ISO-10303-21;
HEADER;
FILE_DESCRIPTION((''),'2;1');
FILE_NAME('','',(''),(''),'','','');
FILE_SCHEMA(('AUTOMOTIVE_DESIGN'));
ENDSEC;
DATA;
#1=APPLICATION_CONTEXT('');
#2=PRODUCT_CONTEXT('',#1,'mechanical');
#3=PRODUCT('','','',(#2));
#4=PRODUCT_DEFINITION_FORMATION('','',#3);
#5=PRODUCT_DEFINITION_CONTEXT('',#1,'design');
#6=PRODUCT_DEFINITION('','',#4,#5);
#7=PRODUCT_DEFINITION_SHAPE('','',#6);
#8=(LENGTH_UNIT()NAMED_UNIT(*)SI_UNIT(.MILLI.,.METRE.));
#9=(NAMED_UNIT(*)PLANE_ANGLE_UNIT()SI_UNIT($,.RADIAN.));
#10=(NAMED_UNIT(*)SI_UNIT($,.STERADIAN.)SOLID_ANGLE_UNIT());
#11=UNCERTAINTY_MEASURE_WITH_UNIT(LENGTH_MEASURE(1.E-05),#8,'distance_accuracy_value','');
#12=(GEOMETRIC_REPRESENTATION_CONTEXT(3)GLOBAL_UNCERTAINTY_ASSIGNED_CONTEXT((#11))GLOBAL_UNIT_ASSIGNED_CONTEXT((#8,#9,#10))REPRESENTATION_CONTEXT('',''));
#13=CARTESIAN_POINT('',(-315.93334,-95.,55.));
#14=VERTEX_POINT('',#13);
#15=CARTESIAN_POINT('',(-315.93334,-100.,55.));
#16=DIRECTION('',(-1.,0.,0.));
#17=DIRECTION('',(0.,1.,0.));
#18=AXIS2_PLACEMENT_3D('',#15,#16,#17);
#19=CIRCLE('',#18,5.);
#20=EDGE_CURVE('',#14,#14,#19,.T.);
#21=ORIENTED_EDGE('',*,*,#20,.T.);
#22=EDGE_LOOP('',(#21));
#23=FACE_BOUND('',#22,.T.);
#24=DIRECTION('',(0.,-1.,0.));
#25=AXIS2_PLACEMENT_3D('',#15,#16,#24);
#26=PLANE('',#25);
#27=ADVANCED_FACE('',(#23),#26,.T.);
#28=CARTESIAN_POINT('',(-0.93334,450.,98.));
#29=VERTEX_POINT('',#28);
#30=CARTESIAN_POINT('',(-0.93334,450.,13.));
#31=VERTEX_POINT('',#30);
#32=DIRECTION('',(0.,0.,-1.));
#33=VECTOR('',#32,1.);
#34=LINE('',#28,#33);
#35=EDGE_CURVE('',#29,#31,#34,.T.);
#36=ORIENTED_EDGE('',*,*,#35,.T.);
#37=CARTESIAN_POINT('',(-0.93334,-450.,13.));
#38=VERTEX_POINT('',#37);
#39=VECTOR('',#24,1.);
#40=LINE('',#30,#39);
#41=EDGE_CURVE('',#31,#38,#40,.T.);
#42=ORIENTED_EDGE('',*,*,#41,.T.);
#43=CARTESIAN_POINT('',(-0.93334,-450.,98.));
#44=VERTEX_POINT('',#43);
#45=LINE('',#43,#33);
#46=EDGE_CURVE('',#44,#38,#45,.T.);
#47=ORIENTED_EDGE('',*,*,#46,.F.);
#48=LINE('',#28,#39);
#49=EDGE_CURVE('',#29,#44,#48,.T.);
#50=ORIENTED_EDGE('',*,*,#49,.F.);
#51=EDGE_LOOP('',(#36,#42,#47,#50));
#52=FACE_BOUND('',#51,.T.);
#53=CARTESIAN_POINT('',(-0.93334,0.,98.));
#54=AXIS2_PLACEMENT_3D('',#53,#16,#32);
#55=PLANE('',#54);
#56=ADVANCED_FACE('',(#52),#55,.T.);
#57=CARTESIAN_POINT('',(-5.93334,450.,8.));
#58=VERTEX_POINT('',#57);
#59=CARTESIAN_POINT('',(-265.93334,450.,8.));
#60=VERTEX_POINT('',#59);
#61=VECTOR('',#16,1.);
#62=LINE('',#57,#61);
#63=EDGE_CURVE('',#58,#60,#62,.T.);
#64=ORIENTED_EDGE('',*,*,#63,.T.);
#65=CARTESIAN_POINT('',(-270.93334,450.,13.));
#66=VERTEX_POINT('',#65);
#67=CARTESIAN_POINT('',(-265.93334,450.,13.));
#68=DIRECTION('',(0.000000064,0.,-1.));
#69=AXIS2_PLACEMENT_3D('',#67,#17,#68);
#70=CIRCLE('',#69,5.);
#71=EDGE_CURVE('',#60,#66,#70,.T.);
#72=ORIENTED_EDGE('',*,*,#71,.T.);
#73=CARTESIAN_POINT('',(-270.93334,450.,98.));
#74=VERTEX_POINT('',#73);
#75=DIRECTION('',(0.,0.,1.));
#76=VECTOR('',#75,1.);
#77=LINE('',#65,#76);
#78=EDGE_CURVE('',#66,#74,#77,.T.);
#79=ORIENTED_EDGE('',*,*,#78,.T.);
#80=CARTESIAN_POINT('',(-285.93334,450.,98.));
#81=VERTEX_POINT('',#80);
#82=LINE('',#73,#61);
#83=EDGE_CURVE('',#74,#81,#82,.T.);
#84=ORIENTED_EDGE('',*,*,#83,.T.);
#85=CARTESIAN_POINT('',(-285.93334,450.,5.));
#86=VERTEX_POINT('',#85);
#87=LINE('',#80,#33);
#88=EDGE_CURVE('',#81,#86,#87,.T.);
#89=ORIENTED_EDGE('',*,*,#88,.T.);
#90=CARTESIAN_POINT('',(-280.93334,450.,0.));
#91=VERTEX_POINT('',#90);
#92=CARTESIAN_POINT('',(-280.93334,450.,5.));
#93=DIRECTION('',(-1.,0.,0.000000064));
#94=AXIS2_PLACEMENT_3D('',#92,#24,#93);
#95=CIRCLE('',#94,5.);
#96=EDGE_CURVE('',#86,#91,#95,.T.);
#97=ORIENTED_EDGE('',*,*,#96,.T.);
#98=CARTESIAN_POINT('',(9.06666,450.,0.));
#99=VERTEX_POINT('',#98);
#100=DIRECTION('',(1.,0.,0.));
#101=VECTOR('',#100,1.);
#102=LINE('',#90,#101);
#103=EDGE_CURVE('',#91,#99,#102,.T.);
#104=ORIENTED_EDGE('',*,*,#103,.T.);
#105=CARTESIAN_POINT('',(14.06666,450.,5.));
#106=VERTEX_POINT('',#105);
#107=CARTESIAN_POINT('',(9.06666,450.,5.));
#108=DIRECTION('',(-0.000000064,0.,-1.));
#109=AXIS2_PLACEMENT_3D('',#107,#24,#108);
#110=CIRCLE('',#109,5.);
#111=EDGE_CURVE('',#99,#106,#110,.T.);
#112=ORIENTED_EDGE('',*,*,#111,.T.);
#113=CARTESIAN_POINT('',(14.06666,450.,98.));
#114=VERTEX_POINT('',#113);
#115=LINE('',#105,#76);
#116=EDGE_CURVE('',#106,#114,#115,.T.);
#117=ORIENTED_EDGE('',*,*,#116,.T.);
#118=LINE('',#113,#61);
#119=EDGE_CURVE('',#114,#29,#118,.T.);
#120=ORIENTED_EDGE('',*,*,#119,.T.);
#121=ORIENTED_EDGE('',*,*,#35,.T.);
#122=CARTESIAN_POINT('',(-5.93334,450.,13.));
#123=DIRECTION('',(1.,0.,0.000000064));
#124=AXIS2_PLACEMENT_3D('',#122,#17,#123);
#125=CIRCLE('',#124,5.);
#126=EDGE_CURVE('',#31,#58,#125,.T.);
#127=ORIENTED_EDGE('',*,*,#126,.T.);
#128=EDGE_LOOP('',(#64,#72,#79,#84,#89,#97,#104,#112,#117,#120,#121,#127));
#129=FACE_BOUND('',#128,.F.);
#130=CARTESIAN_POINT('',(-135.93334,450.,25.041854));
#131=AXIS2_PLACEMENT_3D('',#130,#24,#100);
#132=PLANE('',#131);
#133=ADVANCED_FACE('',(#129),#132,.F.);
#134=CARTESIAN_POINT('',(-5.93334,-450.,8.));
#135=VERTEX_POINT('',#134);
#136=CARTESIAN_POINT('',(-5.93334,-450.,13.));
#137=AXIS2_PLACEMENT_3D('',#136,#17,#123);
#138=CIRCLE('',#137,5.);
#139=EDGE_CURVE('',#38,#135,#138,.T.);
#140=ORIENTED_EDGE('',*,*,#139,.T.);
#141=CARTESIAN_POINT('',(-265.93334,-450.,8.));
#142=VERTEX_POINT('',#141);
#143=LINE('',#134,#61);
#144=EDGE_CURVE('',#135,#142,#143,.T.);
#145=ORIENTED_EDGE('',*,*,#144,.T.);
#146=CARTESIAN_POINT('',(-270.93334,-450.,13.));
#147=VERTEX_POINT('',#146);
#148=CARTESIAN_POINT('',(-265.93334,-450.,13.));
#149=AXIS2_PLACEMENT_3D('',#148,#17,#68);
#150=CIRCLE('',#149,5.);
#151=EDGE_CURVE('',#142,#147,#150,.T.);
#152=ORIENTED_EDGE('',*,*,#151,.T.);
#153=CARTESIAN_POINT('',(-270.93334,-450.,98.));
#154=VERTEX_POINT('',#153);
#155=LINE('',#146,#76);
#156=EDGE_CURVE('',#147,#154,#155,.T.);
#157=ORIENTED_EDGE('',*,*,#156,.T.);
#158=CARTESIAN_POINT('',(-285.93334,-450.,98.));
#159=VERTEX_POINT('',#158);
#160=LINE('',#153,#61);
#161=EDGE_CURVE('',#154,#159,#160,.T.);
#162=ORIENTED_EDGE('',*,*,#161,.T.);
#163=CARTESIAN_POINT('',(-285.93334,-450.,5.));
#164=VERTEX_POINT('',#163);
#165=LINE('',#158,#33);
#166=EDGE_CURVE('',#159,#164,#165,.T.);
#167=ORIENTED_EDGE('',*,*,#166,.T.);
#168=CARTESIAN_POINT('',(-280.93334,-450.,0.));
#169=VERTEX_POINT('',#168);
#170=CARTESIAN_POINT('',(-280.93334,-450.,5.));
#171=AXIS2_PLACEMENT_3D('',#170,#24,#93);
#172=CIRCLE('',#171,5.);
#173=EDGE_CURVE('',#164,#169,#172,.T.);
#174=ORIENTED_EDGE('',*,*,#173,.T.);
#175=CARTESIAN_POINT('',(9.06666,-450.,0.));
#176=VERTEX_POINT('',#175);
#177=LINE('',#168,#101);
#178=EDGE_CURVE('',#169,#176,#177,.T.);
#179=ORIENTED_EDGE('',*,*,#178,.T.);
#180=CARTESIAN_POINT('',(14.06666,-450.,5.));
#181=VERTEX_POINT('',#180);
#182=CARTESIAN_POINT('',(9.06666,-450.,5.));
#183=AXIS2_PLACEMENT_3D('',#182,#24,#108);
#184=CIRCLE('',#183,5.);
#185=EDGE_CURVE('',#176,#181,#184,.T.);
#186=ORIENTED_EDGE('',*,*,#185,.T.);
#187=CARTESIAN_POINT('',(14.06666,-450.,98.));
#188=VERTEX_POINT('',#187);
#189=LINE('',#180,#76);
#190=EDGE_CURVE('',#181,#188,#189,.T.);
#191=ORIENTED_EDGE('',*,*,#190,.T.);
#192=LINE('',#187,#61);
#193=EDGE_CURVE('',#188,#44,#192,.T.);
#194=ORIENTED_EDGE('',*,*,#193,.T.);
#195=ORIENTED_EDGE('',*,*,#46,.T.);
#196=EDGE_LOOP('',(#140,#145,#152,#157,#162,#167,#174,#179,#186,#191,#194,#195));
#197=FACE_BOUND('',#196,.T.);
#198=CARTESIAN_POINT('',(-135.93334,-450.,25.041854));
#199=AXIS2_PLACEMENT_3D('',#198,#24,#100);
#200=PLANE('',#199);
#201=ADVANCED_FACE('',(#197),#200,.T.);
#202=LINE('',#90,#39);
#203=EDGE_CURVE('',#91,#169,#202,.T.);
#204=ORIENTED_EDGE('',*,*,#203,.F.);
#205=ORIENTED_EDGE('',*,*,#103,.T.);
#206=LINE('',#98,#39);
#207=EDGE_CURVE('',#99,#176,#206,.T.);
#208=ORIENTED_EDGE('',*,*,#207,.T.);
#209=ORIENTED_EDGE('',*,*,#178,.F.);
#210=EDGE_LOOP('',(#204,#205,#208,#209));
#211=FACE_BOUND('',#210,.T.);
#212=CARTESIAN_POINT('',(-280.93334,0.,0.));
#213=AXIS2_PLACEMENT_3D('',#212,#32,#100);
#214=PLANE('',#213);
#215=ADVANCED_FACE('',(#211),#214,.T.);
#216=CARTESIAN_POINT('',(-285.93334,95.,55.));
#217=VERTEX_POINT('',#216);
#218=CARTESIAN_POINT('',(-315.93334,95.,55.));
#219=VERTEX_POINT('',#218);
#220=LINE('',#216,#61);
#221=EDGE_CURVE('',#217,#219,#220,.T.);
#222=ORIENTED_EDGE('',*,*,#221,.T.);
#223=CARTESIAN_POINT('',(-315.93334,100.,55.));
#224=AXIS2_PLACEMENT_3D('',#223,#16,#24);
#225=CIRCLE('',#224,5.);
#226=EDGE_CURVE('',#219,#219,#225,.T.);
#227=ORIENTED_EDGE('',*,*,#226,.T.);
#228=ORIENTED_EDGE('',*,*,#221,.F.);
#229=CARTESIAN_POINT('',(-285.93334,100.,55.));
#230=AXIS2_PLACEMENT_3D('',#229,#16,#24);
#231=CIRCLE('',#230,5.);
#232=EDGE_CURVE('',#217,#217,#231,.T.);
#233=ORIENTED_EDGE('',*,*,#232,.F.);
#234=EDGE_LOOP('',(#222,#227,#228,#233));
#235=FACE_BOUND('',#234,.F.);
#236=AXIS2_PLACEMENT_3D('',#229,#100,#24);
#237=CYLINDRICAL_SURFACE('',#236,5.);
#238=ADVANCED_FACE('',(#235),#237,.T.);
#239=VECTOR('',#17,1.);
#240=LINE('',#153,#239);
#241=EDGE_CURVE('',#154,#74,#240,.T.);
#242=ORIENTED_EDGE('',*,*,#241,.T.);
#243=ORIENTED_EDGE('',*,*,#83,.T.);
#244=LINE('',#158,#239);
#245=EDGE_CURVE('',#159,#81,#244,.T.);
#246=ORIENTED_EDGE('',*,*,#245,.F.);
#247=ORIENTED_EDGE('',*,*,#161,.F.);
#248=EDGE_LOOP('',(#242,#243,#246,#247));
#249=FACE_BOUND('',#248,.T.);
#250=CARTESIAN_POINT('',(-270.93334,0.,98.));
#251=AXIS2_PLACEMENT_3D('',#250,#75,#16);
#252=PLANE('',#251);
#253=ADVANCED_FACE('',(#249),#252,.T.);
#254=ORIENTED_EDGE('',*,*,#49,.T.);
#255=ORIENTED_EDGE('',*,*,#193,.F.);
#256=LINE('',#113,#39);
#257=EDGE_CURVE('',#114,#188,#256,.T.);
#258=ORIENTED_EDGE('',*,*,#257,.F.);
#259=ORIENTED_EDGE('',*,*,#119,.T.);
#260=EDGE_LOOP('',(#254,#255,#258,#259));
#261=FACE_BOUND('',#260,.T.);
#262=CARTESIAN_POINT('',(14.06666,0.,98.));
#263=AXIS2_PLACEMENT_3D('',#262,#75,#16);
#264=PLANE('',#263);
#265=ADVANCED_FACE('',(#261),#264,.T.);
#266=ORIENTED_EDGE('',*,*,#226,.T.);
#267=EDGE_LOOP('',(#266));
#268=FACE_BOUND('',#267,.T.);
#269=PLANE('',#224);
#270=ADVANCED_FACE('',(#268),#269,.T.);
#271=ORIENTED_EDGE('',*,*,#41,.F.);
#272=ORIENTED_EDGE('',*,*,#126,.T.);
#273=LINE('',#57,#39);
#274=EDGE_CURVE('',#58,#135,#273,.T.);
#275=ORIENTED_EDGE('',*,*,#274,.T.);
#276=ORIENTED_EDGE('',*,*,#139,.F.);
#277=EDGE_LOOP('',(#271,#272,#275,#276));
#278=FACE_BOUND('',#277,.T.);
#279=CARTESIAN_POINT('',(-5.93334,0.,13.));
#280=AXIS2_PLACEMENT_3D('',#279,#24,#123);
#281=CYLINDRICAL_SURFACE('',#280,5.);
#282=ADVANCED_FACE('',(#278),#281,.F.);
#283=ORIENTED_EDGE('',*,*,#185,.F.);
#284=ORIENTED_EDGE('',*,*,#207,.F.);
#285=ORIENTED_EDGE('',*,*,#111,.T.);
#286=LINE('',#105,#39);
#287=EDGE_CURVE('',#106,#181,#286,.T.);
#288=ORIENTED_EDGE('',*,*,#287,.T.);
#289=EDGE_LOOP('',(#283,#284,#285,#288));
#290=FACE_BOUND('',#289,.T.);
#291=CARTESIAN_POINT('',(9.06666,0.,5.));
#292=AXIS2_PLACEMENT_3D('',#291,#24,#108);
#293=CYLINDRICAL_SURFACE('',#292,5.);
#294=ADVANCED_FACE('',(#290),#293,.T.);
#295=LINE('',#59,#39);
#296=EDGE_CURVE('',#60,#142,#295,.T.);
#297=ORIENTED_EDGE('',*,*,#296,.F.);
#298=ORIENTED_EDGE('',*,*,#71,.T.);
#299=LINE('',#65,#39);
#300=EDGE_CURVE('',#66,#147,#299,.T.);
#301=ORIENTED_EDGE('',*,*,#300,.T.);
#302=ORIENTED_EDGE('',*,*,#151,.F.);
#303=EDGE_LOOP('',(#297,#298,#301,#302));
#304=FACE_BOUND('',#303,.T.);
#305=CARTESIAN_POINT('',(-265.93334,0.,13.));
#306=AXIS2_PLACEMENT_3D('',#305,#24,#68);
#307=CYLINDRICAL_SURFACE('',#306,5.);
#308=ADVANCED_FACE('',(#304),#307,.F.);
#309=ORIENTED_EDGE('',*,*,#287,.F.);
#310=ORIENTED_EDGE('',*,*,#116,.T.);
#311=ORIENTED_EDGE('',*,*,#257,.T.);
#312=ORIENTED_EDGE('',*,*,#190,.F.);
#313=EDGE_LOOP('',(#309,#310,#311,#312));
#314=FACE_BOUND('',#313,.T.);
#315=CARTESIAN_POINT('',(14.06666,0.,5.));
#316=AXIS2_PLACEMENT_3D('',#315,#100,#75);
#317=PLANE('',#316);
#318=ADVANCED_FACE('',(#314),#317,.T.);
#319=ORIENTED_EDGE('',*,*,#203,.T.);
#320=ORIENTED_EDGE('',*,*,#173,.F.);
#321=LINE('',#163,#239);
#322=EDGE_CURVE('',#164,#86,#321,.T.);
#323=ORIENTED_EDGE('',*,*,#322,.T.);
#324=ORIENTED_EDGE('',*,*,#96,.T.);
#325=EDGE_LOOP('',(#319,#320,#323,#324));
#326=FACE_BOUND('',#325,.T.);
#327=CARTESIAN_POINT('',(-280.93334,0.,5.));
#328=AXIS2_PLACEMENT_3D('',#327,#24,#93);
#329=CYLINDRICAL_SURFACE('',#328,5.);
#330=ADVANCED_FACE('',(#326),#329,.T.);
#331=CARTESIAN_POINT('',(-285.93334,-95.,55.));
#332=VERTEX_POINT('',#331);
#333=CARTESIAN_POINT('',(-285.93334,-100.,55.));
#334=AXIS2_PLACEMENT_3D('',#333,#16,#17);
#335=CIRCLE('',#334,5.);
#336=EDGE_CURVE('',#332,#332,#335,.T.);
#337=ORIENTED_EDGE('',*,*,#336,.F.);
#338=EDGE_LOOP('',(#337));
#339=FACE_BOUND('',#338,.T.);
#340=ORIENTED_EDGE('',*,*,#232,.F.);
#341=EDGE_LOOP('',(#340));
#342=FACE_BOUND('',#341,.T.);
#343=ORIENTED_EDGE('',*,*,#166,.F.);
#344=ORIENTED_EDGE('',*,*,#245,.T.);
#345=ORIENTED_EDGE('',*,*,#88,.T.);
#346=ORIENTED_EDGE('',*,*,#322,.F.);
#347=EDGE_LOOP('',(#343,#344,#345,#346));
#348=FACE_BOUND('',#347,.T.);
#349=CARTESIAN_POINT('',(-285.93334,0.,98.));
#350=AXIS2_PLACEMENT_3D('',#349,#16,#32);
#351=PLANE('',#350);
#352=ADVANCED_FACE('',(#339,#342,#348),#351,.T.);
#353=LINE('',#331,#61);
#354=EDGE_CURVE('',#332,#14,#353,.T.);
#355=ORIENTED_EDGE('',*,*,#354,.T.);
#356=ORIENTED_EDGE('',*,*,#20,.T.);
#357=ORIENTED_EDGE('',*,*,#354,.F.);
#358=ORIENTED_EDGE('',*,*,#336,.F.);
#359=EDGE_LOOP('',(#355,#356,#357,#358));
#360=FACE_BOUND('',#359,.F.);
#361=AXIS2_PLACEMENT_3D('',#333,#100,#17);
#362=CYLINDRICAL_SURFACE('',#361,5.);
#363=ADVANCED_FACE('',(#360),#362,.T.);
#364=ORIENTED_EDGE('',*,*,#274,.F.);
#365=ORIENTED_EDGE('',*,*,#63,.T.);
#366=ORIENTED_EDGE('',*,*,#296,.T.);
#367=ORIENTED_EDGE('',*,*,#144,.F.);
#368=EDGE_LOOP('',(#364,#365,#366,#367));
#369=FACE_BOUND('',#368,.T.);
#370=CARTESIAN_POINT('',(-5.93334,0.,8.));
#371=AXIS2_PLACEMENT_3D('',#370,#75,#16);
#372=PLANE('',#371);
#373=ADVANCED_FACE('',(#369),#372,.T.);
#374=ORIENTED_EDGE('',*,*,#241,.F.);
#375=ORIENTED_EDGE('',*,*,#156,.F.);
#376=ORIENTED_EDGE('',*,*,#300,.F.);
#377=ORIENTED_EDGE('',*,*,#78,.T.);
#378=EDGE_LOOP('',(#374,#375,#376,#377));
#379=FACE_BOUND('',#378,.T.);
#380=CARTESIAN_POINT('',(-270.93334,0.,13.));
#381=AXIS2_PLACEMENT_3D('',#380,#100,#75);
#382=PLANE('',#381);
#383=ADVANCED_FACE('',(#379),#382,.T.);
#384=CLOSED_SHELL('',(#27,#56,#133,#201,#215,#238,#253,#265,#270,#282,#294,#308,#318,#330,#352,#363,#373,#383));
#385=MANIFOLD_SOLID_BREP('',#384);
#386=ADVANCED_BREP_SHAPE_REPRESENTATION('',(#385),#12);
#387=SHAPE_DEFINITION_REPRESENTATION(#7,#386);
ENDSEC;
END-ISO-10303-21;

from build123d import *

# Parameters (mm, degrees)
F1_DEPTH = 450
F2_R     = 5
F3_DEPTH = 30


with BuildPart() as f1:
    # F0 (on Front) → F1 (new body, symmetric)
    with BuildSketch(Plane.XZ):
        with BuildLine():
            ThreePointArc((-285.93334, 5), (-284.468874, 1.464466), (-280.93334, 0))
            Line((-280.93334, 0), (9.06666, 0))
            ThreePointArc((9.06666, 0), (12.602194, 1.464466), (14.06666, 5))
            Line((14.06666, 5), (14.06666, 98))
            Line((14.06666, 98), (-0.93334, 98))
            Line((-0.93334, 98), (-0.93334, 13))
            ThreePointArc((-0.93334, 13), (-2.397806, 9.464466), (-5.93334, 8))
            Line((-5.93334, 8), (-265.93334, 8))
            ThreePointArc((-265.93334, 8), (-269.468874, 9.464466), (-270.93334, 13))
            Line((-270.93334, 13), (-270.93334, 98))
            Line((-270.93334, 98), (-285.93334, 98))
            Line((-285.93334, 98), (-285.93334, 5))
        make_face()
    extrude(amount=F1_DEPTH, both=True)

    # F2 (on face) → F3 (join)
    with BuildSketch(Plane(origin=(-285.93334, 0, 0), x_dir=(0, -1, 0), z_dir=(-1, 0, 0))):
        with Locations((-100, 55)):
            Circle(F2_R)
        with BuildLine():
            ThreePointArc((105, 55), (100, 60), (95, 55))
            ThreePointArc((95, 55), (100, 50), (105, 55))
        make_face()
    extrude(amount=F3_DEPTH)


solid = f1.part
